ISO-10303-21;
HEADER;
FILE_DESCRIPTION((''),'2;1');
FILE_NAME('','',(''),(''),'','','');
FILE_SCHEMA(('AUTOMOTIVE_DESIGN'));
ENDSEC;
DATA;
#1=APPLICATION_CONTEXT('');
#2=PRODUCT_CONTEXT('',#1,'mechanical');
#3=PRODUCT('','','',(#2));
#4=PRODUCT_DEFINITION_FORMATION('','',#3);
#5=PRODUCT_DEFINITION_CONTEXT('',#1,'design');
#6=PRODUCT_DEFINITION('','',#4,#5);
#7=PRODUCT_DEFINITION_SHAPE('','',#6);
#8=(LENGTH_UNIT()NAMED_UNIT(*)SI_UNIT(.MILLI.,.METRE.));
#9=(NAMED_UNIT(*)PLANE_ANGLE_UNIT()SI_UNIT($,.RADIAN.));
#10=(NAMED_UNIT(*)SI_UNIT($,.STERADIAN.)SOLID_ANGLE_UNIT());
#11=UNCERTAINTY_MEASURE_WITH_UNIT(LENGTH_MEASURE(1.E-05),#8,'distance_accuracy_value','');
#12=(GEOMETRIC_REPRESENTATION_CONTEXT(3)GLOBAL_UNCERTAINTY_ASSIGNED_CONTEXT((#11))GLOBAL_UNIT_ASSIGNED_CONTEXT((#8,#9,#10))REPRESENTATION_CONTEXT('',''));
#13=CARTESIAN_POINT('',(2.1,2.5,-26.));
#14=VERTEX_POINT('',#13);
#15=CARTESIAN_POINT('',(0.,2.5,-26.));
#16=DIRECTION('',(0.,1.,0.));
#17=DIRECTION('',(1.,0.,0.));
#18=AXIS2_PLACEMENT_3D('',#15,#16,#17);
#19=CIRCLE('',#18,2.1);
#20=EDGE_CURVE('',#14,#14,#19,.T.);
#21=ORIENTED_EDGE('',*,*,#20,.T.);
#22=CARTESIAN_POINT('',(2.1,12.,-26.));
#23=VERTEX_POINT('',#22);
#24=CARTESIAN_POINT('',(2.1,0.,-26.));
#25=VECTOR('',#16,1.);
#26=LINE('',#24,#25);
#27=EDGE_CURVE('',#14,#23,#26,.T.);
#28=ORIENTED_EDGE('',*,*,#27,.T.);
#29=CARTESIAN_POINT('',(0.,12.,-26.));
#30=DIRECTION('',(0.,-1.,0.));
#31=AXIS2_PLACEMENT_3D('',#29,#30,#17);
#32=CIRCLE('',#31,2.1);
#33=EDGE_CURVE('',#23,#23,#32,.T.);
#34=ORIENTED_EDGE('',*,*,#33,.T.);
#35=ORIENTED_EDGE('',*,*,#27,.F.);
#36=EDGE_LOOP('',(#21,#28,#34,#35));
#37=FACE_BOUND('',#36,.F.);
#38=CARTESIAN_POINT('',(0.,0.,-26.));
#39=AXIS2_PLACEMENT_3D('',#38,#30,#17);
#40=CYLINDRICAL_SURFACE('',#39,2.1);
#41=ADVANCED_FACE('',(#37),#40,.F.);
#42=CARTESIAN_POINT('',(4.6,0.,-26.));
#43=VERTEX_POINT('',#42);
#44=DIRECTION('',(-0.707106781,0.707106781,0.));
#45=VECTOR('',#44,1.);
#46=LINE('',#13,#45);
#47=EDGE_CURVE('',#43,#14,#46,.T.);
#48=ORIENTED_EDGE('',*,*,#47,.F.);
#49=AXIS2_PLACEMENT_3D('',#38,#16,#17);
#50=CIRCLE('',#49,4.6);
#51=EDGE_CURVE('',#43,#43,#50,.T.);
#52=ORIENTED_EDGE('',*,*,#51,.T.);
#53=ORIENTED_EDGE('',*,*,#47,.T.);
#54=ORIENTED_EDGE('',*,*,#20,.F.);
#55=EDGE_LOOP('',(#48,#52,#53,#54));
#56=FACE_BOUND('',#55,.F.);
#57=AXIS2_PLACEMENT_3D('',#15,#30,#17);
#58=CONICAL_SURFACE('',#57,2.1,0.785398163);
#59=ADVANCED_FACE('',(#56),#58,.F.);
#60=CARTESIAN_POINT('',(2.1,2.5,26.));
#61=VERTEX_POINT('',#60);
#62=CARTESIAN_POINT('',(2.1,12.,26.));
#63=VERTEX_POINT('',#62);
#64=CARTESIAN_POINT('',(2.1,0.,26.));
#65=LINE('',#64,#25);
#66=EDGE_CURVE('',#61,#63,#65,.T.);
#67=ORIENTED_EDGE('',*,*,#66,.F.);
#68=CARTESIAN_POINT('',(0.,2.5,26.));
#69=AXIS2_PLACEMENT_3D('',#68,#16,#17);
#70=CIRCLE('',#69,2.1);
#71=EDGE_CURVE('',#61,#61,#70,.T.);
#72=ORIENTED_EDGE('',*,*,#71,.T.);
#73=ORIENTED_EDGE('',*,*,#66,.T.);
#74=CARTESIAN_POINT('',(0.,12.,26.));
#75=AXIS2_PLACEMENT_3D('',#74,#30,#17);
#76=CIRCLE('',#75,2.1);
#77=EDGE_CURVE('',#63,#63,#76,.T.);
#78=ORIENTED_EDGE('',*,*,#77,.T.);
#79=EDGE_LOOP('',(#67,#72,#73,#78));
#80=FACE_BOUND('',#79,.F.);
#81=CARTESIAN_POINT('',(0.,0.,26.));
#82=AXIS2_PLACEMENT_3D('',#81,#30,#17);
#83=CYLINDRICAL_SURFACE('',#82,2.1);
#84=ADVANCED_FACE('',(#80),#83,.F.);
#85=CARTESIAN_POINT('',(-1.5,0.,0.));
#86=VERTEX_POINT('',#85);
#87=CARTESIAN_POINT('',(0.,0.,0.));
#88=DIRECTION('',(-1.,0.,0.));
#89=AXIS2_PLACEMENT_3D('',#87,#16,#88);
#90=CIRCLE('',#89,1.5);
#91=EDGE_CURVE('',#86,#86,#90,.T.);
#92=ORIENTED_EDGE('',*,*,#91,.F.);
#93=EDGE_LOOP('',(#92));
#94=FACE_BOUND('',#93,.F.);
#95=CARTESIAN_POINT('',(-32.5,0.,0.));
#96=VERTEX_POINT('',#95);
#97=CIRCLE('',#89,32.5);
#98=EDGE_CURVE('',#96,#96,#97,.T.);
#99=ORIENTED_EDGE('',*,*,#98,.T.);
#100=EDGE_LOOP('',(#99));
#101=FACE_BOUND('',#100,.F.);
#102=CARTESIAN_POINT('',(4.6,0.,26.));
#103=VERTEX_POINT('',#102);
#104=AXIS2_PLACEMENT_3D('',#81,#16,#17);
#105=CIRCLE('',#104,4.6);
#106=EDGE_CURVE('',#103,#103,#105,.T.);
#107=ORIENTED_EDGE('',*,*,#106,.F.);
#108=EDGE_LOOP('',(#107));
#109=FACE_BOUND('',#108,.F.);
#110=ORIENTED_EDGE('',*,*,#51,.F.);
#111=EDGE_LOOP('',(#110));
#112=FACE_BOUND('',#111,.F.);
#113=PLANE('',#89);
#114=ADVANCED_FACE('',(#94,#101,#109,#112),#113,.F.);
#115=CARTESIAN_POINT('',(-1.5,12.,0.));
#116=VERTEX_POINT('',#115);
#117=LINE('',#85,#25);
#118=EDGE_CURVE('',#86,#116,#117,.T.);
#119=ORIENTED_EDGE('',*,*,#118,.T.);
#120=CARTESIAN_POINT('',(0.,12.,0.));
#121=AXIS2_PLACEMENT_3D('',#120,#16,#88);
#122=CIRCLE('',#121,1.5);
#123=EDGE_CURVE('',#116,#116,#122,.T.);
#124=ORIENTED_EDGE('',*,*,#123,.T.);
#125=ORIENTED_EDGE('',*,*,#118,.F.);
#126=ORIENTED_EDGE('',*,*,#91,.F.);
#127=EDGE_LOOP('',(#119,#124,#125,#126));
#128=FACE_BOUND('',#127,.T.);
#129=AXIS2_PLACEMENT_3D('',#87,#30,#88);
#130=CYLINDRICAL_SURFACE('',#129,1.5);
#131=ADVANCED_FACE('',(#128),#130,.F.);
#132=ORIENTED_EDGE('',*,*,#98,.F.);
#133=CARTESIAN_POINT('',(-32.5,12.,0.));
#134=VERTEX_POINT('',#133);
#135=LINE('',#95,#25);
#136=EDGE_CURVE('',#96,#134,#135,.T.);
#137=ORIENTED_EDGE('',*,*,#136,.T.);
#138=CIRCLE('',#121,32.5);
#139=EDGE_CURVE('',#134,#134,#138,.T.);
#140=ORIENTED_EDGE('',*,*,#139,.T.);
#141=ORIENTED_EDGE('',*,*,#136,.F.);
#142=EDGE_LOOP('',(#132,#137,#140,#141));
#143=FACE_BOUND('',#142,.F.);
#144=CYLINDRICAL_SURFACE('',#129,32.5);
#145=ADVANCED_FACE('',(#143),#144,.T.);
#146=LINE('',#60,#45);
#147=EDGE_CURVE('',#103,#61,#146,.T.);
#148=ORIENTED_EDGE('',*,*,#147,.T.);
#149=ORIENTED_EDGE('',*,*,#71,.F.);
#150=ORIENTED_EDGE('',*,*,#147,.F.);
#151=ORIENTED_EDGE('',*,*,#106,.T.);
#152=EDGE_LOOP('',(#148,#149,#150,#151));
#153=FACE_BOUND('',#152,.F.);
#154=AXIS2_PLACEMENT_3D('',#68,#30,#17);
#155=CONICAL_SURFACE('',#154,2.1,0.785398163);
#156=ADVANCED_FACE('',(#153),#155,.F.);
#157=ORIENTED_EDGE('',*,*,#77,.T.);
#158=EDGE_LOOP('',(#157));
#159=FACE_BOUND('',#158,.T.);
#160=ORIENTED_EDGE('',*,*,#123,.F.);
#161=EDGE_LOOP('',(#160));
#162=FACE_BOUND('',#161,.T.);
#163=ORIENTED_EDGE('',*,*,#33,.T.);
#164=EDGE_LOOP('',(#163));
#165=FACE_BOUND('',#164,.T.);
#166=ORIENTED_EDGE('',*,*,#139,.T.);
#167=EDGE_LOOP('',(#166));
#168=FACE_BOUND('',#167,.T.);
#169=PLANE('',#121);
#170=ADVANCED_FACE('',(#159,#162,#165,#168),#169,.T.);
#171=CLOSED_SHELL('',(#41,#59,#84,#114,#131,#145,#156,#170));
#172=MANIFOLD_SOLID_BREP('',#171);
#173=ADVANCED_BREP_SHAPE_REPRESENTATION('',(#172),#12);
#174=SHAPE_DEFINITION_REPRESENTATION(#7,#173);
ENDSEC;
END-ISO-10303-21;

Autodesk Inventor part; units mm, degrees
ref_plane "YZ Plane" through (0, 0, 0) normal (1, 0, 0) x (0, 1, 0)
ref_plane "XZ Plane" through (0, 0, 0) normal (0, 1, 0) x (-1, 0, 0)
ref_plane "XY Plane" through (0, 0, 0) normal (0, 0, 1) x (1, 0, 0)
sketch "Esboço1" plane through (0, 0, 0) normal (0, 1, 0) x (-1, 0, 0)
  circle A0 centre (0, 0) radius 32.5
  circle A1 centre (0, 0) radius 1.5
  dimension "d0" = 65
  dimension "d3" = 3
extrude "Extrusão1" add sketch "Esboço1" along normal blind 12
sketch "Esboço2" plane through (0, 0, 0) normal (0, -1, 0) x (1, 0, 0)
  circle A0 centre (0, 0) radius 1.5 projected
  circle A1 centre (0, 0) radius 26
  circle A2 centre (0, -26) radius 2.1
  circle A3 centre (0, 26) radius 2.1
  dimension "d4" = 4.2
  dimension "d5" = 4.2
  dimension "d11" = 52
extrude "Extrusão2" cut sketch "Esboço2" against normal blind 12 contours A3 A1 | A1 A3 | A2 A1 | A1 A2
chamfer "Chanfro1" distance 2.5 angle 45 2 edges at (-2.1, 0, 26) (-2.1, 0, -26)
properties part number "Inferior_encaixe"
